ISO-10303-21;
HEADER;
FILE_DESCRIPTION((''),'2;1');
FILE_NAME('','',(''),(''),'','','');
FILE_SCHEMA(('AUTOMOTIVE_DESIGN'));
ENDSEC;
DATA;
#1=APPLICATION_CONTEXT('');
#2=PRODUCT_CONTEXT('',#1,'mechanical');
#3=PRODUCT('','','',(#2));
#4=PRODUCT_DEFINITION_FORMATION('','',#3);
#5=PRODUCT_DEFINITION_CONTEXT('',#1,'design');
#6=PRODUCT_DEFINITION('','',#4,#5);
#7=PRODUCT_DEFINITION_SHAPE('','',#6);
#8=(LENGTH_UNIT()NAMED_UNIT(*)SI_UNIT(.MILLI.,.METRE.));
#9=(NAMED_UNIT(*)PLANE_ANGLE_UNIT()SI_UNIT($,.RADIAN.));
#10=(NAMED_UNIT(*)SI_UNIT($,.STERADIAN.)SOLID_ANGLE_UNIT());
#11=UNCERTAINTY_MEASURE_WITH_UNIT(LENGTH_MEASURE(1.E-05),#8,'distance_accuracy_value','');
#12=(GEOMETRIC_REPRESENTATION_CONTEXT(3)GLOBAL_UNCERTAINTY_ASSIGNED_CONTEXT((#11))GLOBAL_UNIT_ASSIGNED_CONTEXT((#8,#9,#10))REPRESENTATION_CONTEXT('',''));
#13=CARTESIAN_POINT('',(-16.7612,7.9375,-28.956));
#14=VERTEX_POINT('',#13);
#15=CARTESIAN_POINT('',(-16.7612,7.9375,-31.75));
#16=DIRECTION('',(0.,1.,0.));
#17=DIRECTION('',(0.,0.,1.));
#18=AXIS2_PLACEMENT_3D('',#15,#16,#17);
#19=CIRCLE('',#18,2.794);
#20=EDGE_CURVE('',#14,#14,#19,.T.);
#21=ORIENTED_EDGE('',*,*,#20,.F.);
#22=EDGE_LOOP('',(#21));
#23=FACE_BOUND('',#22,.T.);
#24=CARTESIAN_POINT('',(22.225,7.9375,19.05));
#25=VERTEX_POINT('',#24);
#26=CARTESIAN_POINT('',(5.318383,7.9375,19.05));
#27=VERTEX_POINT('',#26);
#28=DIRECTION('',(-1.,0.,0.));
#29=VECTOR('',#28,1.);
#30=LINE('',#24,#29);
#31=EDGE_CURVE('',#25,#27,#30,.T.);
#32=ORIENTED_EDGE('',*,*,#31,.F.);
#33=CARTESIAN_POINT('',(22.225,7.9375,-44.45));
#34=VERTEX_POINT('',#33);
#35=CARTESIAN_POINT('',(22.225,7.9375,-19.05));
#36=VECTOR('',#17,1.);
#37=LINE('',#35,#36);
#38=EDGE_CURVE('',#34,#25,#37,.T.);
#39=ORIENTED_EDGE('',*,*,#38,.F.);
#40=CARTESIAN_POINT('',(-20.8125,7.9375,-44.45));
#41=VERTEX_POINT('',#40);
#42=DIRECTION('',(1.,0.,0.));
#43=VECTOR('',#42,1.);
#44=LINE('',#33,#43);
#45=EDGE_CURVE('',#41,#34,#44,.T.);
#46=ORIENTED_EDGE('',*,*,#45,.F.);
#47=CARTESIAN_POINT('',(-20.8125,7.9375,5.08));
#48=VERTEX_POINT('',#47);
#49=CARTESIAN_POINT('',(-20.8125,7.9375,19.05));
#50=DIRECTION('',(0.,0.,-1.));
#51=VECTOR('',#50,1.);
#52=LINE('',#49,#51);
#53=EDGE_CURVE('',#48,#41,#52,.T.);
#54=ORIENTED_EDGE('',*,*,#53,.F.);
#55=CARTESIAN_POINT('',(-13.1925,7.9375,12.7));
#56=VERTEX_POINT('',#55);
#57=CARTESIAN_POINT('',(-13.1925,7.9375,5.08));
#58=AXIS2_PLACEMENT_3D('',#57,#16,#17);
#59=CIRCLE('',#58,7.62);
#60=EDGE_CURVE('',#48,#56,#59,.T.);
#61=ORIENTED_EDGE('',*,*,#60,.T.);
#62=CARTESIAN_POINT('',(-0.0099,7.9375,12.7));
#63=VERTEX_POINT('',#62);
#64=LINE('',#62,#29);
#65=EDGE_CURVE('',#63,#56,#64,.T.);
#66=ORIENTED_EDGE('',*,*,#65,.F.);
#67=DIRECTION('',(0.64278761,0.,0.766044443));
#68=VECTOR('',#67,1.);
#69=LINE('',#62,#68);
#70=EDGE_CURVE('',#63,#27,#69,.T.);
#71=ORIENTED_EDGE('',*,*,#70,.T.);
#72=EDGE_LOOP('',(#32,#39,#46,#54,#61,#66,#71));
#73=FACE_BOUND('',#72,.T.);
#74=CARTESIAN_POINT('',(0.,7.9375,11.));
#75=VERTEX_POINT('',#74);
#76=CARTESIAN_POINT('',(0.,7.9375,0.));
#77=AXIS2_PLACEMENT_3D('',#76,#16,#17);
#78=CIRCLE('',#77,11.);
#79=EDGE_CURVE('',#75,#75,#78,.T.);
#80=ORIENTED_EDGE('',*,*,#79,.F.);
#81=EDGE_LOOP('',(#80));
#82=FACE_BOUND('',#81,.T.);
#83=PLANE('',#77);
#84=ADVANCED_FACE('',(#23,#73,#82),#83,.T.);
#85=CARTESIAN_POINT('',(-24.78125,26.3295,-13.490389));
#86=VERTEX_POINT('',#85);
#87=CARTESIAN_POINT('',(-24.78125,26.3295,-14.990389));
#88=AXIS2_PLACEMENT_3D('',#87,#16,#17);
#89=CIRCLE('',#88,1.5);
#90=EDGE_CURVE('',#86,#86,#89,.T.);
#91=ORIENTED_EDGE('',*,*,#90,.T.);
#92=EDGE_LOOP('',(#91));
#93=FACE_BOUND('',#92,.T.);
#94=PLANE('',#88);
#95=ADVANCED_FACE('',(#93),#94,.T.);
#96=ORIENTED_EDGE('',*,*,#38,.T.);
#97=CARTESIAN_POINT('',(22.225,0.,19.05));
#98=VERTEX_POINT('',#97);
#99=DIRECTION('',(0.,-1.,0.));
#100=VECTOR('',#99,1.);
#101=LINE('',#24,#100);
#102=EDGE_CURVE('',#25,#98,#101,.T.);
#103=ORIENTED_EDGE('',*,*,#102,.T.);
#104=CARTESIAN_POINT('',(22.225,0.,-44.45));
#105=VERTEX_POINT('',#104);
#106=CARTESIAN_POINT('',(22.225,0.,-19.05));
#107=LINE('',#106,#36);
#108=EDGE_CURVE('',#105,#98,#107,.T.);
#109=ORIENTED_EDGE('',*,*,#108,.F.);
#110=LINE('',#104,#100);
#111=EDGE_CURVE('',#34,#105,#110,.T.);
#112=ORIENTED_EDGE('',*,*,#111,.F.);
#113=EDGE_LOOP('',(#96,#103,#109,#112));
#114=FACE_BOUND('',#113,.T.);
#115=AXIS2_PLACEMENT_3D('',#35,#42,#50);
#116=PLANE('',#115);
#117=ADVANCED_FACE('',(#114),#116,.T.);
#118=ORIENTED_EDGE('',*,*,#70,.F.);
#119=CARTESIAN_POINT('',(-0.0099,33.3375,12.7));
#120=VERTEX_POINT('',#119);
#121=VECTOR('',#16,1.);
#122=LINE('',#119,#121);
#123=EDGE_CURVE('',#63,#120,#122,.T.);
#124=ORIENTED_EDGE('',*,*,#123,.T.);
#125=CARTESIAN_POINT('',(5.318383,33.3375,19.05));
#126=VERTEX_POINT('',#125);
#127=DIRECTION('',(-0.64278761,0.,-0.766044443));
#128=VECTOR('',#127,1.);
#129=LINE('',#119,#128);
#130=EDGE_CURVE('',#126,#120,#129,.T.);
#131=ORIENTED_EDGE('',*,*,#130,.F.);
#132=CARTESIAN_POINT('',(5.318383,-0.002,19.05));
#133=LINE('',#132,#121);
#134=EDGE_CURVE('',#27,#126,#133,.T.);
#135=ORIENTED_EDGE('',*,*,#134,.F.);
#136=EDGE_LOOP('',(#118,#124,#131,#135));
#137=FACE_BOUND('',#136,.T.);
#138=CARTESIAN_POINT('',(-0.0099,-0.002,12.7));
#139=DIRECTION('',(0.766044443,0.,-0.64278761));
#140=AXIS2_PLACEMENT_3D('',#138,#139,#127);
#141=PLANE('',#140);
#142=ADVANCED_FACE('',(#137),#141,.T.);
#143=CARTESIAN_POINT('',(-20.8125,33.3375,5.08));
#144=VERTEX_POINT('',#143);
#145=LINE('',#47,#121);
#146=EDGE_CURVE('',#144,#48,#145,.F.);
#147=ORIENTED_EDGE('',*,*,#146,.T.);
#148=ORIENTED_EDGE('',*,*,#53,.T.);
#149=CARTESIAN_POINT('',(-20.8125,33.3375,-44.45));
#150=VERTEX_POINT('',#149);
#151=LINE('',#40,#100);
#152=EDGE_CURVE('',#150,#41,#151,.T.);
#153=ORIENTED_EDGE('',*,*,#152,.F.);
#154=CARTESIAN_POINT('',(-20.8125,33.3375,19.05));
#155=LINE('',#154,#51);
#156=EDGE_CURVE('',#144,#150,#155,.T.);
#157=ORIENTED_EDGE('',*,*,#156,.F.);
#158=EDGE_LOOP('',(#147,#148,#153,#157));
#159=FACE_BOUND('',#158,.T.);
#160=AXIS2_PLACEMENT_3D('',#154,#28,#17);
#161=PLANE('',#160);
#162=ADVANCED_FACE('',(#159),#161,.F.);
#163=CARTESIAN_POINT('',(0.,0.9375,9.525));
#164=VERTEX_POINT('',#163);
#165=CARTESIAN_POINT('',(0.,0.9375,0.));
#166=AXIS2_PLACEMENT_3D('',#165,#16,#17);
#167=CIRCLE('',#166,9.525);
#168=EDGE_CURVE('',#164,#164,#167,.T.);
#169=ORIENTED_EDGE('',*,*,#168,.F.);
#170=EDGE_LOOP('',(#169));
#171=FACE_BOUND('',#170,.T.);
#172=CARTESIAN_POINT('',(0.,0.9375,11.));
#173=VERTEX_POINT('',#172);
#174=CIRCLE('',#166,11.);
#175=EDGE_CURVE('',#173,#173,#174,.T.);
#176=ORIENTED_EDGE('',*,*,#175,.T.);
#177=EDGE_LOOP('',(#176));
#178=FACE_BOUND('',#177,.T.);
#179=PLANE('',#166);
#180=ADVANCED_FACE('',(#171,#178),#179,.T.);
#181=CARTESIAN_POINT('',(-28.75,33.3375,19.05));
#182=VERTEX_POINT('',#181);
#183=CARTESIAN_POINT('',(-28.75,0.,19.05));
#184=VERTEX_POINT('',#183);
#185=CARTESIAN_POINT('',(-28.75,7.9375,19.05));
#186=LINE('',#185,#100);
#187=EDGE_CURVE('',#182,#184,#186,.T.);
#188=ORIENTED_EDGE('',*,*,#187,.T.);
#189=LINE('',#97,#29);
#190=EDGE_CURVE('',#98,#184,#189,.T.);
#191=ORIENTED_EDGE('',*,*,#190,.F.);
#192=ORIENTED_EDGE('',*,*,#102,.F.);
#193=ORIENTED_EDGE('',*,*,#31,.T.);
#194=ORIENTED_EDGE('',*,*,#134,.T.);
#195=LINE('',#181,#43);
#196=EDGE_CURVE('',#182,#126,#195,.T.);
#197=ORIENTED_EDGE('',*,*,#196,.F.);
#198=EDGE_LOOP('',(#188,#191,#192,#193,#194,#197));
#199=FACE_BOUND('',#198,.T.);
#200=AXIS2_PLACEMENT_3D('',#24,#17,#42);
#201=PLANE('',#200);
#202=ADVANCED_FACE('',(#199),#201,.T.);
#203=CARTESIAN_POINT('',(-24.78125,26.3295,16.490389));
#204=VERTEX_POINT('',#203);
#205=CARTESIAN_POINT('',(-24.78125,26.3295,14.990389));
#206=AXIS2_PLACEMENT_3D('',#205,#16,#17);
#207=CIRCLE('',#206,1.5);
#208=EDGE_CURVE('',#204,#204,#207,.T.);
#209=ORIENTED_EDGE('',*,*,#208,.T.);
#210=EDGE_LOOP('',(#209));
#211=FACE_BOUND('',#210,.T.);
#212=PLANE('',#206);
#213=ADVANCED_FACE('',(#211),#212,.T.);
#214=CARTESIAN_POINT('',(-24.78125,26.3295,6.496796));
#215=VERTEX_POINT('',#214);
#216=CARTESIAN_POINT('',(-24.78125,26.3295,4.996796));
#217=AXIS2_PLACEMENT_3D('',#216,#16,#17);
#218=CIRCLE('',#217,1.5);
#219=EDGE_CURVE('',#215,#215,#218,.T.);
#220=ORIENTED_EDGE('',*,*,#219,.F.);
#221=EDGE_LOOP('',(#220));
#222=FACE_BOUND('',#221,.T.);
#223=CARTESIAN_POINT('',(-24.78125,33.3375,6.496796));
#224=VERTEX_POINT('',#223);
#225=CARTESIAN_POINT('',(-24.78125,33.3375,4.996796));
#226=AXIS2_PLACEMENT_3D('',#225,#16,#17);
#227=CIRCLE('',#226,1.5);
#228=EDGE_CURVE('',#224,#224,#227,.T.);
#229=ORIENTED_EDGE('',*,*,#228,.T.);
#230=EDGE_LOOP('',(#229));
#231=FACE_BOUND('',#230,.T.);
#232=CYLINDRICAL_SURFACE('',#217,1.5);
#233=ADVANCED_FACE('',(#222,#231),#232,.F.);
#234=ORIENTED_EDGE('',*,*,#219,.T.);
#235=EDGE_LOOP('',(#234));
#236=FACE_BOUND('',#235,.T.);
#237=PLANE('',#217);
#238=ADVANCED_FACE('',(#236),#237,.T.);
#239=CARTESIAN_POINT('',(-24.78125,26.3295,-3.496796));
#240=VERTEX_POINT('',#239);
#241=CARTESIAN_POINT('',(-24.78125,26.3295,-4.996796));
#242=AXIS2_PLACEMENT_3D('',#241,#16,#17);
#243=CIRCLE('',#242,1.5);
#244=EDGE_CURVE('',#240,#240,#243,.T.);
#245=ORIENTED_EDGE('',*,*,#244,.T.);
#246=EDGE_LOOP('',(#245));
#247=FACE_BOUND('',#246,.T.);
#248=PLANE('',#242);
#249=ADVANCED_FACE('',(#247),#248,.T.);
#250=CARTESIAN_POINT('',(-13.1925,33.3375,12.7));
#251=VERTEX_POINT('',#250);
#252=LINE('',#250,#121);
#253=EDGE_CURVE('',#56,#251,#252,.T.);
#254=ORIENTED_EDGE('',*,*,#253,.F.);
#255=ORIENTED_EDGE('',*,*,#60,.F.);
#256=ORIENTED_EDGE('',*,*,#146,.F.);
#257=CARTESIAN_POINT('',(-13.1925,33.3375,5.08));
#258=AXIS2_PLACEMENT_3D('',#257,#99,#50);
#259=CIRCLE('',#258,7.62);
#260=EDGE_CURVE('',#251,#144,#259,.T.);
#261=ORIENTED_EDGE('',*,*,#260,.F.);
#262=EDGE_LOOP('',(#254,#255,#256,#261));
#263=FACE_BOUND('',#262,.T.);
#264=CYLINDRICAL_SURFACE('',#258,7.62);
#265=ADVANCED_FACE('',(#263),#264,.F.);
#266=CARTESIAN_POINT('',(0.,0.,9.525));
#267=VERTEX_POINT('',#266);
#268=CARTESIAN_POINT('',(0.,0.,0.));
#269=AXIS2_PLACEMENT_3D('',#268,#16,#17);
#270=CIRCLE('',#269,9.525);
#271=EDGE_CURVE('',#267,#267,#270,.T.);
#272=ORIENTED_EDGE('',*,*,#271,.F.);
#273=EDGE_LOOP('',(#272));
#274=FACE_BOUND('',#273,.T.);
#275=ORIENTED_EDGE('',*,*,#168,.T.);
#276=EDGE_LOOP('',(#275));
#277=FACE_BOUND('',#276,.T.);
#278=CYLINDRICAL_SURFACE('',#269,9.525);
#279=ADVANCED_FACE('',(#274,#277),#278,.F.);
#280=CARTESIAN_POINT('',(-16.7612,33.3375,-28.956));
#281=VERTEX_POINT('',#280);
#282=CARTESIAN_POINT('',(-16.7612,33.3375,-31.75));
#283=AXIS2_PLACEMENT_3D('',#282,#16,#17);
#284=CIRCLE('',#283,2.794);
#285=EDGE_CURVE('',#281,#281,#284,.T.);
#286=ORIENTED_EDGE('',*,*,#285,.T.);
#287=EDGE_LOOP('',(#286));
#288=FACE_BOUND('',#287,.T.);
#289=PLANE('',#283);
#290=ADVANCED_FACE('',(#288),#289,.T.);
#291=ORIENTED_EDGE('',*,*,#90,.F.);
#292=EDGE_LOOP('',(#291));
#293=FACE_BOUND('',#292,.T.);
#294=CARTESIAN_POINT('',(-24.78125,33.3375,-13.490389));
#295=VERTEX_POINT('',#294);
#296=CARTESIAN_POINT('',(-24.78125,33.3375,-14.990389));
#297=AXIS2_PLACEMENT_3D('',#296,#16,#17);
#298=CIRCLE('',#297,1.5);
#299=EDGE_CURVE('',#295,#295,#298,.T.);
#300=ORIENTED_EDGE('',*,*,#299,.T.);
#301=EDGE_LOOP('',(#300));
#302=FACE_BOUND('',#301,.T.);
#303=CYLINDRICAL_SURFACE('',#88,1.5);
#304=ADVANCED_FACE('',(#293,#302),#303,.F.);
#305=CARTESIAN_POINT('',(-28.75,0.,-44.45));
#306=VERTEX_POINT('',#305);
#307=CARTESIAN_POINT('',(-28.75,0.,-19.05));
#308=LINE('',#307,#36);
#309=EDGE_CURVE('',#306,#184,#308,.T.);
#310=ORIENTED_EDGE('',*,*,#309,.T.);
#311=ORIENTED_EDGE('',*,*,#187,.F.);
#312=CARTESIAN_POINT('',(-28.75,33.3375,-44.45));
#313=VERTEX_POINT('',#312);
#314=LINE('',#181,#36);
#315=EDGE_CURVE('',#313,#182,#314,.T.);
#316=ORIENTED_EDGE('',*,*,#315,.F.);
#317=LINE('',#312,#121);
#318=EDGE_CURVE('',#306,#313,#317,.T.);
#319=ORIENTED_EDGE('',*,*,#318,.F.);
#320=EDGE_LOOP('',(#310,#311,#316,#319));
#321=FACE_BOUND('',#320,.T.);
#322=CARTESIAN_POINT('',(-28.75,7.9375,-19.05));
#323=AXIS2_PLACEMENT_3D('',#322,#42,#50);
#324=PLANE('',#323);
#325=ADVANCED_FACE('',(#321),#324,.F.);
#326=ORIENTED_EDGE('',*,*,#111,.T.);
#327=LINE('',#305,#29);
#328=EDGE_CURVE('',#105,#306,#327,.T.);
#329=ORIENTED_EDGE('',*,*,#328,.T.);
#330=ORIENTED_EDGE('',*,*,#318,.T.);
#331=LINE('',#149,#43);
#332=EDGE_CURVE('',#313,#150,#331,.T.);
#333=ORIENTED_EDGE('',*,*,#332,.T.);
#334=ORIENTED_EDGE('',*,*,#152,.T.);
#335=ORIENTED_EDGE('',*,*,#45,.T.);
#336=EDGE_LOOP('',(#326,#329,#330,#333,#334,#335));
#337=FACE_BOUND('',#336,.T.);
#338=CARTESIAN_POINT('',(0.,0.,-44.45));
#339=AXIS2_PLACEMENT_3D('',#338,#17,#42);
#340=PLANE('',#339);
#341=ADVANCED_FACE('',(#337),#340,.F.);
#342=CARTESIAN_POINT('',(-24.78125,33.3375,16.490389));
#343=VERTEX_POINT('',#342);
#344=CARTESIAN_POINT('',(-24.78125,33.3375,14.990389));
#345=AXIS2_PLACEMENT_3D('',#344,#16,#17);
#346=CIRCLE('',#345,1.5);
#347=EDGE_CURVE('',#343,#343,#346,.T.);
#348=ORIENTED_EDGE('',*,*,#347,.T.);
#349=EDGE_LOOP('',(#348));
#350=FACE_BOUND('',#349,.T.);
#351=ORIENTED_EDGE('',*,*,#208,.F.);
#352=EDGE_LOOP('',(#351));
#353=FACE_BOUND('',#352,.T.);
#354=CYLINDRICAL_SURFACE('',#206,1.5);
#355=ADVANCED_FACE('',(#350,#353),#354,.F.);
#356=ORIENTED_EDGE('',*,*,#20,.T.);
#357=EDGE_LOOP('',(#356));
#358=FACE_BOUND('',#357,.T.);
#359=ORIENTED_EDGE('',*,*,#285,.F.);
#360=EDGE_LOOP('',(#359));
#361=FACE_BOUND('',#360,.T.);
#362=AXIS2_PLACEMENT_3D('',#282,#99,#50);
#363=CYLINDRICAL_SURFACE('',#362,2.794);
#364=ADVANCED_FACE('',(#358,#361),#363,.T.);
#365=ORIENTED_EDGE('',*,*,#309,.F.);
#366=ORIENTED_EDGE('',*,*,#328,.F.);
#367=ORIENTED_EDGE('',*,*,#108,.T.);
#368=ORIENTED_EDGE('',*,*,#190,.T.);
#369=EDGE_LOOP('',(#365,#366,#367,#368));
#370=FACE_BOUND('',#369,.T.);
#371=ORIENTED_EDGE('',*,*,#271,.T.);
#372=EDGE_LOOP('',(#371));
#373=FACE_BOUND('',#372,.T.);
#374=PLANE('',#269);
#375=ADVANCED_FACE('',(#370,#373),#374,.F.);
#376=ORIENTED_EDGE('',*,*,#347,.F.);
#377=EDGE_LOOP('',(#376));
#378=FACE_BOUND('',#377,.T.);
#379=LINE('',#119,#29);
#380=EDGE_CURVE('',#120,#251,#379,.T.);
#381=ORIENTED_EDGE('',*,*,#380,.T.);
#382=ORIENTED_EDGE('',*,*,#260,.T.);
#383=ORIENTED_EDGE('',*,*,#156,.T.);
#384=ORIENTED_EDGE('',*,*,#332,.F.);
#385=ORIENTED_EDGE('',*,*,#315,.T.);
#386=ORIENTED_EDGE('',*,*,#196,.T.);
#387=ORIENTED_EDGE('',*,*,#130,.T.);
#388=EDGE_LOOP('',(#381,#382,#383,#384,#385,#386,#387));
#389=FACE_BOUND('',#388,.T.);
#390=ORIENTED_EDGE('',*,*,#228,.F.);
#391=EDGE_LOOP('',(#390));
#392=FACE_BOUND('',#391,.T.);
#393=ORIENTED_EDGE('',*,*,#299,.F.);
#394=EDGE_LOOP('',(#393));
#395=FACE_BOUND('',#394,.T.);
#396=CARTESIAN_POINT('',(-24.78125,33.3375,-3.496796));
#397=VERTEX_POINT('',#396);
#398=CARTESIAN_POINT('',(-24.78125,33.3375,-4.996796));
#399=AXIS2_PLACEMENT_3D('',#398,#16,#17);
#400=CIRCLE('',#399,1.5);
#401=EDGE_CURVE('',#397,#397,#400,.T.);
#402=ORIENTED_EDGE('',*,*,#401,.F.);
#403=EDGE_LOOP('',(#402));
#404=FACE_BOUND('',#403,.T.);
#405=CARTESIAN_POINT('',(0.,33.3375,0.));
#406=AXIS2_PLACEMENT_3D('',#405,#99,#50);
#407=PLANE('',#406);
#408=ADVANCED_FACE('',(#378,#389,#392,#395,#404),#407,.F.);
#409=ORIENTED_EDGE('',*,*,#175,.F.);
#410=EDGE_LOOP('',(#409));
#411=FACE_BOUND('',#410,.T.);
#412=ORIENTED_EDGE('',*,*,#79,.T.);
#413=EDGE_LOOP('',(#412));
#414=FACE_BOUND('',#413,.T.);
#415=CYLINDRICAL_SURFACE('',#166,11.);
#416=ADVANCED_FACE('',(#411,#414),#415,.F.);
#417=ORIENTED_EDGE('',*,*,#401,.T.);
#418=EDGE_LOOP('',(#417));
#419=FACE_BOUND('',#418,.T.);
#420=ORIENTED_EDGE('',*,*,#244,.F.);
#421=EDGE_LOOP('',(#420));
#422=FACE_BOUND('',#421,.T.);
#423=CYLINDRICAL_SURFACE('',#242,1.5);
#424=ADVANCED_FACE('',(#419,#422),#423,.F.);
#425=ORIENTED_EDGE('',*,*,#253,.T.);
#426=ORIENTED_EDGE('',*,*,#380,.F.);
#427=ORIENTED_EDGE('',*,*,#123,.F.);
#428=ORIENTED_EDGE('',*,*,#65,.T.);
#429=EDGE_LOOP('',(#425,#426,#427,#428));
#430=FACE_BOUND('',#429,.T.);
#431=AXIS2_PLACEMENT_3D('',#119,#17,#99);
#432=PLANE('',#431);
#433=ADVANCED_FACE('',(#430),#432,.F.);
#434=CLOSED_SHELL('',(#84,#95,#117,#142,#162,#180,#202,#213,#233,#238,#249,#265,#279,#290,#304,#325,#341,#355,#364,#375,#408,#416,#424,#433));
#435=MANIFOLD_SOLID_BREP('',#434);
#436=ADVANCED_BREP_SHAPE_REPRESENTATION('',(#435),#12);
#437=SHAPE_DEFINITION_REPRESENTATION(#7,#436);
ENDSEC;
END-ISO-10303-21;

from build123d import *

# Parameters (mm, degrees)
SKETCH1_W            = 50.975
SKETCH1_H            = 38.1
BASE_DEPTH           = 7.9375
SKETCH2_R            = 11
BEARING_BORE_DEPTH   = 7
THRU_HOLE_DEPTH      = 36.191831439
THRU_HOLE_DEPTH_BACK = 36.191831439
SKETCH3_R            = 9.525
SKETCH4_W            = 7.9375
SKETCH4_H            = 38.1
VERTICAL_DEPTH       = 25.4
SKETCH7_W            = 6.35
SKETCH7_H            = 25.4
ARM_STOP_DEPTH       = 20.8026
ANGLED_FACE_REACH    = 49.967
FILLET1_R            = 7.62
SKETCH6_R            = 1.5
DOWEL_HOLES_DEPTH    = 7.007999954
SPRING_BASE_DEPTH    = 25.4
SKETCH12_R           = 2.794
SPRING_MOUNT_DEPTH   = 25.4


with BuildPart() as part:
    # Sketch1 → Base (new body)
    with BuildSketch(Plane(origin=(0, 0, 0), x_dir=(1, 0, 0), z_dir=(0, 1, 0))):
        with Locations((-3.2625, 0)):
            Rectangle(SKETCH1_W, SKETCH1_H)
    extrude(amount=BASE_DEPTH)

    # Sketch2 → Bearing Bore (cut)
    with BuildSketch(Plane(origin=(0, 7.9375, 0), x_dir=(1, 0, 0), z_dir=(0, 1, 0))):
        with Locations(Location((0, 0, 0), (0, 0, 270))):
            Circle(SKETCH2_R)
    extrude(amount=-BEARING_BORE_DEPTH, mode=Mode.SUBTRACT)

    # Sketch3 → Thru Hole (cut, two sides: drawn at the far end of the back side and taken through both)
    with BuildSketch(Plane(origin=(0, 0.9375, 0), x_dir=(1, 0, 0), z_dir=(0, 1, 0)).offset(-THRU_HOLE_DEPTH_BACK)):
        with Locations(Location((0, 0, 0), (0, 0, 270))):
            Circle(SKETCH3_R)
    extrude(amount=THRU_HOLE_DEPTH + THRU_HOLE_DEPTH_BACK, mode=Mode.SUBTRACT)

    # Sketch4 → Vertical (add)
    with BuildSketch(Plane(origin=(0, 7.9375, 0), x_dir=(1, 0, 0), z_dir=(0, 1, 0))):
        with Locations((-24.78125, 0)):
            Rectangle(SKETCH4_W, SKETCH4_H)
    extrude(amount=VERTICAL_DEPTH)

    # Sketch7 → Arm Stop (add)
    with BuildSketch(Plane(origin=(-20.8125, 0, 0), x_dir=(0, 0, -1), z_dir=(1, 0, 0))):
        with Locations((-15.875, 20.6375)):
            Rectangle(SKETCH7_W, SKETCH7_H)
    extrude(amount=ARM_STOP_DEPTH)

    # Sketch8 → Angled Face (add, up to next)
    with BuildSketch(Plane(origin=(0, 33.3375, 0), x_dir=(1, 0, 0), z_dir=(0, 1, 0)), mode=Mode.PRIVATE) as angled_face_sk1:
        Polygon((-0.0099, -12.7), (5.318382658, -19.05), (-0.0099, -19.05), align=None)
    angled_face_tool1 = extrude(angled_face_sk1.sketch, amount=-ANGLED_FACE_REACH, mode=Mode.PRIVATE) - part.part
    add(angled_face_tool1.solids().sort_by_distance((1.766194, 33.3375, 16.933333))[0])

    # Fillet1
    fillet1_edges = [part.edges().sort_by_distance(p)[0] for p in [
        (-20.8125, 20.6375, 12.7),
    ]]
    fillet(fillet1_edges, radius=FILLET1_R)

    # Sketch6 → Dowel Holes (cut)
    with BuildSketch(Plane(origin=(0, 33.3375, 0), x_dir=(1, 0, 0), z_dir=(0, 1, 0))):
        with Locations(Location((-24.78125, 14.990388599, 0), (0, 0, 270))):
            Circle(SKETCH6_R)
        with Locations(Location((-24.78125, 4.9967962, 0), (0, 0, 270))):
            Circle(SKETCH6_R)
        with Locations(Location((-24.78125, -14.990388599, 0), (0, 0, 270))):
            Circle(SKETCH6_R)
        with Locations(Location((-24.78125, -4.9967962, 0), (0, 0, 270))):
            Circle(SKETCH6_R)
    extrude(amount=-DOWEL_HOLES_DEPTH, mode=Mode.SUBTRACT)

    # Sketch11 → Spring Base (add)
    with BuildSketch(Plane(origin=(0, 0, -19.05), x_dir=(-1, 0, 0), z_dir=(0, 0, -1))):
        Polygon((-22.225, 7.9375), (20.8125, 7.9375), (20.8125, 33.3375), (28.75, 33.3375), (28.75, 0), (-22.225, 0), align=None)
    extrude(amount=SPRING_BASE_DEPTH)

    # Sketch12 → Spring Mount (add)
    with BuildSketch(Plane(origin=(0, 7.9375, 0), x_dir=(1, 0, 0), z_dir=(0, 1, 0))):
        with Locations(Location((-16.7612, 31.75, 0), (0, 0, 270))):
            Circle(SKETCH12_R)
    extrude(amount=SPRING_MOUNT_DEPTH)


solid = part.part
